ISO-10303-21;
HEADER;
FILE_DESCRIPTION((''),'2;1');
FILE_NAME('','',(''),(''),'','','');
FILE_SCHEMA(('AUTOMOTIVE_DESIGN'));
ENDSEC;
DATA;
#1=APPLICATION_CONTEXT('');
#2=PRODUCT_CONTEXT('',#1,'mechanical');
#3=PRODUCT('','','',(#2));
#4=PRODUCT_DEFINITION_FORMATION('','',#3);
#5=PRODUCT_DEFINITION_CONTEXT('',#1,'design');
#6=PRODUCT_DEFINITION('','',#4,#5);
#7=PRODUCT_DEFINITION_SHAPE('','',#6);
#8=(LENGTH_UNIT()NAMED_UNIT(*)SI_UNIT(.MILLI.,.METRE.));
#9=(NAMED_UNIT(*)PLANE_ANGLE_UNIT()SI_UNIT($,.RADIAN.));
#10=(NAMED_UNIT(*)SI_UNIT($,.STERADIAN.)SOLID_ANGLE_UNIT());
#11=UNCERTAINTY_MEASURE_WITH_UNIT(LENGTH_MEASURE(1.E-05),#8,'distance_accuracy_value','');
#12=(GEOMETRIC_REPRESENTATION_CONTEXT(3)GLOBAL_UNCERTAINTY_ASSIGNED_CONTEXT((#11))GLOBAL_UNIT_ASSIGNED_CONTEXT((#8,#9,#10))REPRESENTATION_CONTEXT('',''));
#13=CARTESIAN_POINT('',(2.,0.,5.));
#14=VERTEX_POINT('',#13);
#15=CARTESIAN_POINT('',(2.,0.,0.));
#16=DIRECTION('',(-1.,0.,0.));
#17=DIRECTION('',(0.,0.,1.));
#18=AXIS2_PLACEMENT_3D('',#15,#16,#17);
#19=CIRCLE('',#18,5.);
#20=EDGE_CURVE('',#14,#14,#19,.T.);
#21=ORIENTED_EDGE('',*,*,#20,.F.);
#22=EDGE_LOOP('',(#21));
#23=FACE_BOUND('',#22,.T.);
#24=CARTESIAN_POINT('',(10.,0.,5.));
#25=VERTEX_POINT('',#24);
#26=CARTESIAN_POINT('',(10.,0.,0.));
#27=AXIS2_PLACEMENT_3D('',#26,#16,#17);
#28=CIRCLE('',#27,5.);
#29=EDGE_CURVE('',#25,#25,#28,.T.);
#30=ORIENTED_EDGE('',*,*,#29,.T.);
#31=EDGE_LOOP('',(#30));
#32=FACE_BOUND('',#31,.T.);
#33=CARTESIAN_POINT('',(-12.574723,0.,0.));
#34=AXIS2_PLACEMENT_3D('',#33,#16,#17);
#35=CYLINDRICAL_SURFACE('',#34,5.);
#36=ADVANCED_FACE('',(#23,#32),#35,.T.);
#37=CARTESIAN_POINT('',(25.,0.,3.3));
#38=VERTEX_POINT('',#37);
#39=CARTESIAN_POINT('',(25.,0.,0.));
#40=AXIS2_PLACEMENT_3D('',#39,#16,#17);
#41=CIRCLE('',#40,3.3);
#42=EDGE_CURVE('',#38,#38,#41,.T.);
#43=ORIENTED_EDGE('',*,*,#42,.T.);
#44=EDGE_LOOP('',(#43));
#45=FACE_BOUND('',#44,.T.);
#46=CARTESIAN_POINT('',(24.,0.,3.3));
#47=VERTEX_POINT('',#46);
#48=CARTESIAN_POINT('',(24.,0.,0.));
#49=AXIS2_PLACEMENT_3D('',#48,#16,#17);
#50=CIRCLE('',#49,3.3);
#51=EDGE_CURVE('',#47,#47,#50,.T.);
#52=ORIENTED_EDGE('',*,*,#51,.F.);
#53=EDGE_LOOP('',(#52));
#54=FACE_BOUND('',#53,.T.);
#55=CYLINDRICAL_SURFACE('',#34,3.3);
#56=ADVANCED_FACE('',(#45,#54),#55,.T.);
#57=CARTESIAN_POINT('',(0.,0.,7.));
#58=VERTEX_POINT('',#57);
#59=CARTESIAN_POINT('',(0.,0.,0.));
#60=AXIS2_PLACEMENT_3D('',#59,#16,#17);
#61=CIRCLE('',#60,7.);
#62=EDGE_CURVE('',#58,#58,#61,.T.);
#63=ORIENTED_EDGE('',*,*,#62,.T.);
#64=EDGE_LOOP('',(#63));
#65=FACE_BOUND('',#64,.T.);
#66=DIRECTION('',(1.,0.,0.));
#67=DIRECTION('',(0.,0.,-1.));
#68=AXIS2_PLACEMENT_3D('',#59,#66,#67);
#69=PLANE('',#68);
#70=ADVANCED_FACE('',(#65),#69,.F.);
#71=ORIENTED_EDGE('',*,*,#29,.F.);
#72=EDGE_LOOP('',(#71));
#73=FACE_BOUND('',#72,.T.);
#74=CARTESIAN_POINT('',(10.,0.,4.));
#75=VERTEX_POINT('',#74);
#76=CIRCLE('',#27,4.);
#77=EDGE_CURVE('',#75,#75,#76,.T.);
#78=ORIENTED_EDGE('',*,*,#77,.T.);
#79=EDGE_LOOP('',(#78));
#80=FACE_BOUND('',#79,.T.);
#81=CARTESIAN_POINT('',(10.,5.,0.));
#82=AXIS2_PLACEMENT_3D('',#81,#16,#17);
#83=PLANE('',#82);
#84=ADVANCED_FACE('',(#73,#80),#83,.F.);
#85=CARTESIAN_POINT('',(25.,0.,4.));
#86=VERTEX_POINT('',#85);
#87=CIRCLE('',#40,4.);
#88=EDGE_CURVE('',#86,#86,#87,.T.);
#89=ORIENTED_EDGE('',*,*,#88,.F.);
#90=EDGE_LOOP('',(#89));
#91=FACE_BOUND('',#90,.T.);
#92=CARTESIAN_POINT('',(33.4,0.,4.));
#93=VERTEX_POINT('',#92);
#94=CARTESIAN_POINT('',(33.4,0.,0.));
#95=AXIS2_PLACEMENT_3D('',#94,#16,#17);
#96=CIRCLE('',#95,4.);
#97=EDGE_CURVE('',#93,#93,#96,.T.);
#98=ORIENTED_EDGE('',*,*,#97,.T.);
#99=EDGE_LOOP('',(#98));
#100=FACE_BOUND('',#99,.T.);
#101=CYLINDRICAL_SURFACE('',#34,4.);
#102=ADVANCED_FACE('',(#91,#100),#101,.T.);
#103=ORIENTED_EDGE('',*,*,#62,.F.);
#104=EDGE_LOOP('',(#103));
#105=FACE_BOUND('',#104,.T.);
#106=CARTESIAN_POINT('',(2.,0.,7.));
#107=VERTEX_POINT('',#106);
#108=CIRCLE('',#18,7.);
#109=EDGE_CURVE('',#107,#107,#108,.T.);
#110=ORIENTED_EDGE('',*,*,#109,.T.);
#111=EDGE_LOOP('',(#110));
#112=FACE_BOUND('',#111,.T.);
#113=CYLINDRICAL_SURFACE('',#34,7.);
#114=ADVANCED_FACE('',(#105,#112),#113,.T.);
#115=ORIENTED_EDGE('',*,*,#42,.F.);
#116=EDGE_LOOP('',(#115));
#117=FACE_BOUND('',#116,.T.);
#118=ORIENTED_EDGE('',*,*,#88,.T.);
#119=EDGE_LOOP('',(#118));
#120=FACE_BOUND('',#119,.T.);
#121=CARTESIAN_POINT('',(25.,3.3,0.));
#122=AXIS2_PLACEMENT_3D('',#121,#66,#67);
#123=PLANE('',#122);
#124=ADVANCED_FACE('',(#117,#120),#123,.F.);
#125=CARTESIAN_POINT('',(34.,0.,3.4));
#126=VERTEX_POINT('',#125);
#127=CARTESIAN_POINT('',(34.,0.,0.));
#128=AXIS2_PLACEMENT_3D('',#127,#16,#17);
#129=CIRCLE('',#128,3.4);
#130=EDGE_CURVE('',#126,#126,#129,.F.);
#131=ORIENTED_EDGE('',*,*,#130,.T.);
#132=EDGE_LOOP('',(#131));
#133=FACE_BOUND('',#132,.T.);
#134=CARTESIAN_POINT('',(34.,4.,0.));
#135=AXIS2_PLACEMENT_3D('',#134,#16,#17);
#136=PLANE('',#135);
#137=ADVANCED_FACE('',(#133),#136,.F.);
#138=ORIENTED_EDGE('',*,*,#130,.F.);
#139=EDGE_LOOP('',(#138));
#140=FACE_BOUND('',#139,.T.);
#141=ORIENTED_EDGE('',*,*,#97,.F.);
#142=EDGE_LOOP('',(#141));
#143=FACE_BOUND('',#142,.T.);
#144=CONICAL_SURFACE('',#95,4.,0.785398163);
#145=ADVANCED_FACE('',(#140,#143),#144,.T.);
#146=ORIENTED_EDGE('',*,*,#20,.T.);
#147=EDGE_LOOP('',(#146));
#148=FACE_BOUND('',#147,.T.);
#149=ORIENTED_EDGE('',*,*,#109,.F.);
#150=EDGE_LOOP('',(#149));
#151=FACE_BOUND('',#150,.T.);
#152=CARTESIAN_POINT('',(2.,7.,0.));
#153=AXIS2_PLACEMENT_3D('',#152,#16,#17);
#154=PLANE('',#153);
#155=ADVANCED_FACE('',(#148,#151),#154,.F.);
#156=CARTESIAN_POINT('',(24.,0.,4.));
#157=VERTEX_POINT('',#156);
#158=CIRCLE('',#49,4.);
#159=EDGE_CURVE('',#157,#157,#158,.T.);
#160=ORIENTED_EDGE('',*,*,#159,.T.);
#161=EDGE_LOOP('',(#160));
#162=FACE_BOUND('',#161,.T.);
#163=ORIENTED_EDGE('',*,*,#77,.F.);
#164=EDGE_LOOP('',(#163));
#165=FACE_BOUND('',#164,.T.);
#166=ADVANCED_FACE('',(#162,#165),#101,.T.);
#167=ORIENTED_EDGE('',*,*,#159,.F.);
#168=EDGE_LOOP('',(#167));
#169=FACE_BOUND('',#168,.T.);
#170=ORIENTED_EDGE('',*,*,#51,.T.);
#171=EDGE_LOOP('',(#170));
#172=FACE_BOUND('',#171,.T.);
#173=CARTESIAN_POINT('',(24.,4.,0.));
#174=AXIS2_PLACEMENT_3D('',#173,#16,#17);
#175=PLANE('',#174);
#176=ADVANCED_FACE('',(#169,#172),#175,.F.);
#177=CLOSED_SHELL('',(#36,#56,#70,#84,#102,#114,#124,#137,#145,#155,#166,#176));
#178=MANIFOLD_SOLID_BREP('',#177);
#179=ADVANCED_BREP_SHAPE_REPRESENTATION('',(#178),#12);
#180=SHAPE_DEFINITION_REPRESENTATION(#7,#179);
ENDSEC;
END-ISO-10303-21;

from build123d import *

# Parameters (mm, degrees)
CHANFREIN1_SIZE = 0.6


with BuildPart() as part:
    # Esquisse1 → Base-Révolution (revolve)
    with BuildSketch(Plane.XY, mode=Mode.PRIVATE) as base_r_volution_sk:
        Polygon((0, 0), (0, 7), (2, 7), (2, 5), (10, 5), (10, 4), (24, 4), (24, 3.3), (25, 3.3), (25, 4), (34, 4), (34, 0), align=None)
    revolve(base_r_volution_sk.sketch.rotate(Axis((-12.574722565, 0, 0), (1, 0, 0)), 90), axis=Axis((-12.574722565, 0, 0), (1, 0, 0)))

    # Chanfrein1
    chanfrein1_edges = [part.edges().sort_by_distance(p)[0] for p in [
        (34, 0, -4),
    ]]
    chamfer(chanfrein1_edges, length=CHANFREIN1_SIZE)


solid = part.part
